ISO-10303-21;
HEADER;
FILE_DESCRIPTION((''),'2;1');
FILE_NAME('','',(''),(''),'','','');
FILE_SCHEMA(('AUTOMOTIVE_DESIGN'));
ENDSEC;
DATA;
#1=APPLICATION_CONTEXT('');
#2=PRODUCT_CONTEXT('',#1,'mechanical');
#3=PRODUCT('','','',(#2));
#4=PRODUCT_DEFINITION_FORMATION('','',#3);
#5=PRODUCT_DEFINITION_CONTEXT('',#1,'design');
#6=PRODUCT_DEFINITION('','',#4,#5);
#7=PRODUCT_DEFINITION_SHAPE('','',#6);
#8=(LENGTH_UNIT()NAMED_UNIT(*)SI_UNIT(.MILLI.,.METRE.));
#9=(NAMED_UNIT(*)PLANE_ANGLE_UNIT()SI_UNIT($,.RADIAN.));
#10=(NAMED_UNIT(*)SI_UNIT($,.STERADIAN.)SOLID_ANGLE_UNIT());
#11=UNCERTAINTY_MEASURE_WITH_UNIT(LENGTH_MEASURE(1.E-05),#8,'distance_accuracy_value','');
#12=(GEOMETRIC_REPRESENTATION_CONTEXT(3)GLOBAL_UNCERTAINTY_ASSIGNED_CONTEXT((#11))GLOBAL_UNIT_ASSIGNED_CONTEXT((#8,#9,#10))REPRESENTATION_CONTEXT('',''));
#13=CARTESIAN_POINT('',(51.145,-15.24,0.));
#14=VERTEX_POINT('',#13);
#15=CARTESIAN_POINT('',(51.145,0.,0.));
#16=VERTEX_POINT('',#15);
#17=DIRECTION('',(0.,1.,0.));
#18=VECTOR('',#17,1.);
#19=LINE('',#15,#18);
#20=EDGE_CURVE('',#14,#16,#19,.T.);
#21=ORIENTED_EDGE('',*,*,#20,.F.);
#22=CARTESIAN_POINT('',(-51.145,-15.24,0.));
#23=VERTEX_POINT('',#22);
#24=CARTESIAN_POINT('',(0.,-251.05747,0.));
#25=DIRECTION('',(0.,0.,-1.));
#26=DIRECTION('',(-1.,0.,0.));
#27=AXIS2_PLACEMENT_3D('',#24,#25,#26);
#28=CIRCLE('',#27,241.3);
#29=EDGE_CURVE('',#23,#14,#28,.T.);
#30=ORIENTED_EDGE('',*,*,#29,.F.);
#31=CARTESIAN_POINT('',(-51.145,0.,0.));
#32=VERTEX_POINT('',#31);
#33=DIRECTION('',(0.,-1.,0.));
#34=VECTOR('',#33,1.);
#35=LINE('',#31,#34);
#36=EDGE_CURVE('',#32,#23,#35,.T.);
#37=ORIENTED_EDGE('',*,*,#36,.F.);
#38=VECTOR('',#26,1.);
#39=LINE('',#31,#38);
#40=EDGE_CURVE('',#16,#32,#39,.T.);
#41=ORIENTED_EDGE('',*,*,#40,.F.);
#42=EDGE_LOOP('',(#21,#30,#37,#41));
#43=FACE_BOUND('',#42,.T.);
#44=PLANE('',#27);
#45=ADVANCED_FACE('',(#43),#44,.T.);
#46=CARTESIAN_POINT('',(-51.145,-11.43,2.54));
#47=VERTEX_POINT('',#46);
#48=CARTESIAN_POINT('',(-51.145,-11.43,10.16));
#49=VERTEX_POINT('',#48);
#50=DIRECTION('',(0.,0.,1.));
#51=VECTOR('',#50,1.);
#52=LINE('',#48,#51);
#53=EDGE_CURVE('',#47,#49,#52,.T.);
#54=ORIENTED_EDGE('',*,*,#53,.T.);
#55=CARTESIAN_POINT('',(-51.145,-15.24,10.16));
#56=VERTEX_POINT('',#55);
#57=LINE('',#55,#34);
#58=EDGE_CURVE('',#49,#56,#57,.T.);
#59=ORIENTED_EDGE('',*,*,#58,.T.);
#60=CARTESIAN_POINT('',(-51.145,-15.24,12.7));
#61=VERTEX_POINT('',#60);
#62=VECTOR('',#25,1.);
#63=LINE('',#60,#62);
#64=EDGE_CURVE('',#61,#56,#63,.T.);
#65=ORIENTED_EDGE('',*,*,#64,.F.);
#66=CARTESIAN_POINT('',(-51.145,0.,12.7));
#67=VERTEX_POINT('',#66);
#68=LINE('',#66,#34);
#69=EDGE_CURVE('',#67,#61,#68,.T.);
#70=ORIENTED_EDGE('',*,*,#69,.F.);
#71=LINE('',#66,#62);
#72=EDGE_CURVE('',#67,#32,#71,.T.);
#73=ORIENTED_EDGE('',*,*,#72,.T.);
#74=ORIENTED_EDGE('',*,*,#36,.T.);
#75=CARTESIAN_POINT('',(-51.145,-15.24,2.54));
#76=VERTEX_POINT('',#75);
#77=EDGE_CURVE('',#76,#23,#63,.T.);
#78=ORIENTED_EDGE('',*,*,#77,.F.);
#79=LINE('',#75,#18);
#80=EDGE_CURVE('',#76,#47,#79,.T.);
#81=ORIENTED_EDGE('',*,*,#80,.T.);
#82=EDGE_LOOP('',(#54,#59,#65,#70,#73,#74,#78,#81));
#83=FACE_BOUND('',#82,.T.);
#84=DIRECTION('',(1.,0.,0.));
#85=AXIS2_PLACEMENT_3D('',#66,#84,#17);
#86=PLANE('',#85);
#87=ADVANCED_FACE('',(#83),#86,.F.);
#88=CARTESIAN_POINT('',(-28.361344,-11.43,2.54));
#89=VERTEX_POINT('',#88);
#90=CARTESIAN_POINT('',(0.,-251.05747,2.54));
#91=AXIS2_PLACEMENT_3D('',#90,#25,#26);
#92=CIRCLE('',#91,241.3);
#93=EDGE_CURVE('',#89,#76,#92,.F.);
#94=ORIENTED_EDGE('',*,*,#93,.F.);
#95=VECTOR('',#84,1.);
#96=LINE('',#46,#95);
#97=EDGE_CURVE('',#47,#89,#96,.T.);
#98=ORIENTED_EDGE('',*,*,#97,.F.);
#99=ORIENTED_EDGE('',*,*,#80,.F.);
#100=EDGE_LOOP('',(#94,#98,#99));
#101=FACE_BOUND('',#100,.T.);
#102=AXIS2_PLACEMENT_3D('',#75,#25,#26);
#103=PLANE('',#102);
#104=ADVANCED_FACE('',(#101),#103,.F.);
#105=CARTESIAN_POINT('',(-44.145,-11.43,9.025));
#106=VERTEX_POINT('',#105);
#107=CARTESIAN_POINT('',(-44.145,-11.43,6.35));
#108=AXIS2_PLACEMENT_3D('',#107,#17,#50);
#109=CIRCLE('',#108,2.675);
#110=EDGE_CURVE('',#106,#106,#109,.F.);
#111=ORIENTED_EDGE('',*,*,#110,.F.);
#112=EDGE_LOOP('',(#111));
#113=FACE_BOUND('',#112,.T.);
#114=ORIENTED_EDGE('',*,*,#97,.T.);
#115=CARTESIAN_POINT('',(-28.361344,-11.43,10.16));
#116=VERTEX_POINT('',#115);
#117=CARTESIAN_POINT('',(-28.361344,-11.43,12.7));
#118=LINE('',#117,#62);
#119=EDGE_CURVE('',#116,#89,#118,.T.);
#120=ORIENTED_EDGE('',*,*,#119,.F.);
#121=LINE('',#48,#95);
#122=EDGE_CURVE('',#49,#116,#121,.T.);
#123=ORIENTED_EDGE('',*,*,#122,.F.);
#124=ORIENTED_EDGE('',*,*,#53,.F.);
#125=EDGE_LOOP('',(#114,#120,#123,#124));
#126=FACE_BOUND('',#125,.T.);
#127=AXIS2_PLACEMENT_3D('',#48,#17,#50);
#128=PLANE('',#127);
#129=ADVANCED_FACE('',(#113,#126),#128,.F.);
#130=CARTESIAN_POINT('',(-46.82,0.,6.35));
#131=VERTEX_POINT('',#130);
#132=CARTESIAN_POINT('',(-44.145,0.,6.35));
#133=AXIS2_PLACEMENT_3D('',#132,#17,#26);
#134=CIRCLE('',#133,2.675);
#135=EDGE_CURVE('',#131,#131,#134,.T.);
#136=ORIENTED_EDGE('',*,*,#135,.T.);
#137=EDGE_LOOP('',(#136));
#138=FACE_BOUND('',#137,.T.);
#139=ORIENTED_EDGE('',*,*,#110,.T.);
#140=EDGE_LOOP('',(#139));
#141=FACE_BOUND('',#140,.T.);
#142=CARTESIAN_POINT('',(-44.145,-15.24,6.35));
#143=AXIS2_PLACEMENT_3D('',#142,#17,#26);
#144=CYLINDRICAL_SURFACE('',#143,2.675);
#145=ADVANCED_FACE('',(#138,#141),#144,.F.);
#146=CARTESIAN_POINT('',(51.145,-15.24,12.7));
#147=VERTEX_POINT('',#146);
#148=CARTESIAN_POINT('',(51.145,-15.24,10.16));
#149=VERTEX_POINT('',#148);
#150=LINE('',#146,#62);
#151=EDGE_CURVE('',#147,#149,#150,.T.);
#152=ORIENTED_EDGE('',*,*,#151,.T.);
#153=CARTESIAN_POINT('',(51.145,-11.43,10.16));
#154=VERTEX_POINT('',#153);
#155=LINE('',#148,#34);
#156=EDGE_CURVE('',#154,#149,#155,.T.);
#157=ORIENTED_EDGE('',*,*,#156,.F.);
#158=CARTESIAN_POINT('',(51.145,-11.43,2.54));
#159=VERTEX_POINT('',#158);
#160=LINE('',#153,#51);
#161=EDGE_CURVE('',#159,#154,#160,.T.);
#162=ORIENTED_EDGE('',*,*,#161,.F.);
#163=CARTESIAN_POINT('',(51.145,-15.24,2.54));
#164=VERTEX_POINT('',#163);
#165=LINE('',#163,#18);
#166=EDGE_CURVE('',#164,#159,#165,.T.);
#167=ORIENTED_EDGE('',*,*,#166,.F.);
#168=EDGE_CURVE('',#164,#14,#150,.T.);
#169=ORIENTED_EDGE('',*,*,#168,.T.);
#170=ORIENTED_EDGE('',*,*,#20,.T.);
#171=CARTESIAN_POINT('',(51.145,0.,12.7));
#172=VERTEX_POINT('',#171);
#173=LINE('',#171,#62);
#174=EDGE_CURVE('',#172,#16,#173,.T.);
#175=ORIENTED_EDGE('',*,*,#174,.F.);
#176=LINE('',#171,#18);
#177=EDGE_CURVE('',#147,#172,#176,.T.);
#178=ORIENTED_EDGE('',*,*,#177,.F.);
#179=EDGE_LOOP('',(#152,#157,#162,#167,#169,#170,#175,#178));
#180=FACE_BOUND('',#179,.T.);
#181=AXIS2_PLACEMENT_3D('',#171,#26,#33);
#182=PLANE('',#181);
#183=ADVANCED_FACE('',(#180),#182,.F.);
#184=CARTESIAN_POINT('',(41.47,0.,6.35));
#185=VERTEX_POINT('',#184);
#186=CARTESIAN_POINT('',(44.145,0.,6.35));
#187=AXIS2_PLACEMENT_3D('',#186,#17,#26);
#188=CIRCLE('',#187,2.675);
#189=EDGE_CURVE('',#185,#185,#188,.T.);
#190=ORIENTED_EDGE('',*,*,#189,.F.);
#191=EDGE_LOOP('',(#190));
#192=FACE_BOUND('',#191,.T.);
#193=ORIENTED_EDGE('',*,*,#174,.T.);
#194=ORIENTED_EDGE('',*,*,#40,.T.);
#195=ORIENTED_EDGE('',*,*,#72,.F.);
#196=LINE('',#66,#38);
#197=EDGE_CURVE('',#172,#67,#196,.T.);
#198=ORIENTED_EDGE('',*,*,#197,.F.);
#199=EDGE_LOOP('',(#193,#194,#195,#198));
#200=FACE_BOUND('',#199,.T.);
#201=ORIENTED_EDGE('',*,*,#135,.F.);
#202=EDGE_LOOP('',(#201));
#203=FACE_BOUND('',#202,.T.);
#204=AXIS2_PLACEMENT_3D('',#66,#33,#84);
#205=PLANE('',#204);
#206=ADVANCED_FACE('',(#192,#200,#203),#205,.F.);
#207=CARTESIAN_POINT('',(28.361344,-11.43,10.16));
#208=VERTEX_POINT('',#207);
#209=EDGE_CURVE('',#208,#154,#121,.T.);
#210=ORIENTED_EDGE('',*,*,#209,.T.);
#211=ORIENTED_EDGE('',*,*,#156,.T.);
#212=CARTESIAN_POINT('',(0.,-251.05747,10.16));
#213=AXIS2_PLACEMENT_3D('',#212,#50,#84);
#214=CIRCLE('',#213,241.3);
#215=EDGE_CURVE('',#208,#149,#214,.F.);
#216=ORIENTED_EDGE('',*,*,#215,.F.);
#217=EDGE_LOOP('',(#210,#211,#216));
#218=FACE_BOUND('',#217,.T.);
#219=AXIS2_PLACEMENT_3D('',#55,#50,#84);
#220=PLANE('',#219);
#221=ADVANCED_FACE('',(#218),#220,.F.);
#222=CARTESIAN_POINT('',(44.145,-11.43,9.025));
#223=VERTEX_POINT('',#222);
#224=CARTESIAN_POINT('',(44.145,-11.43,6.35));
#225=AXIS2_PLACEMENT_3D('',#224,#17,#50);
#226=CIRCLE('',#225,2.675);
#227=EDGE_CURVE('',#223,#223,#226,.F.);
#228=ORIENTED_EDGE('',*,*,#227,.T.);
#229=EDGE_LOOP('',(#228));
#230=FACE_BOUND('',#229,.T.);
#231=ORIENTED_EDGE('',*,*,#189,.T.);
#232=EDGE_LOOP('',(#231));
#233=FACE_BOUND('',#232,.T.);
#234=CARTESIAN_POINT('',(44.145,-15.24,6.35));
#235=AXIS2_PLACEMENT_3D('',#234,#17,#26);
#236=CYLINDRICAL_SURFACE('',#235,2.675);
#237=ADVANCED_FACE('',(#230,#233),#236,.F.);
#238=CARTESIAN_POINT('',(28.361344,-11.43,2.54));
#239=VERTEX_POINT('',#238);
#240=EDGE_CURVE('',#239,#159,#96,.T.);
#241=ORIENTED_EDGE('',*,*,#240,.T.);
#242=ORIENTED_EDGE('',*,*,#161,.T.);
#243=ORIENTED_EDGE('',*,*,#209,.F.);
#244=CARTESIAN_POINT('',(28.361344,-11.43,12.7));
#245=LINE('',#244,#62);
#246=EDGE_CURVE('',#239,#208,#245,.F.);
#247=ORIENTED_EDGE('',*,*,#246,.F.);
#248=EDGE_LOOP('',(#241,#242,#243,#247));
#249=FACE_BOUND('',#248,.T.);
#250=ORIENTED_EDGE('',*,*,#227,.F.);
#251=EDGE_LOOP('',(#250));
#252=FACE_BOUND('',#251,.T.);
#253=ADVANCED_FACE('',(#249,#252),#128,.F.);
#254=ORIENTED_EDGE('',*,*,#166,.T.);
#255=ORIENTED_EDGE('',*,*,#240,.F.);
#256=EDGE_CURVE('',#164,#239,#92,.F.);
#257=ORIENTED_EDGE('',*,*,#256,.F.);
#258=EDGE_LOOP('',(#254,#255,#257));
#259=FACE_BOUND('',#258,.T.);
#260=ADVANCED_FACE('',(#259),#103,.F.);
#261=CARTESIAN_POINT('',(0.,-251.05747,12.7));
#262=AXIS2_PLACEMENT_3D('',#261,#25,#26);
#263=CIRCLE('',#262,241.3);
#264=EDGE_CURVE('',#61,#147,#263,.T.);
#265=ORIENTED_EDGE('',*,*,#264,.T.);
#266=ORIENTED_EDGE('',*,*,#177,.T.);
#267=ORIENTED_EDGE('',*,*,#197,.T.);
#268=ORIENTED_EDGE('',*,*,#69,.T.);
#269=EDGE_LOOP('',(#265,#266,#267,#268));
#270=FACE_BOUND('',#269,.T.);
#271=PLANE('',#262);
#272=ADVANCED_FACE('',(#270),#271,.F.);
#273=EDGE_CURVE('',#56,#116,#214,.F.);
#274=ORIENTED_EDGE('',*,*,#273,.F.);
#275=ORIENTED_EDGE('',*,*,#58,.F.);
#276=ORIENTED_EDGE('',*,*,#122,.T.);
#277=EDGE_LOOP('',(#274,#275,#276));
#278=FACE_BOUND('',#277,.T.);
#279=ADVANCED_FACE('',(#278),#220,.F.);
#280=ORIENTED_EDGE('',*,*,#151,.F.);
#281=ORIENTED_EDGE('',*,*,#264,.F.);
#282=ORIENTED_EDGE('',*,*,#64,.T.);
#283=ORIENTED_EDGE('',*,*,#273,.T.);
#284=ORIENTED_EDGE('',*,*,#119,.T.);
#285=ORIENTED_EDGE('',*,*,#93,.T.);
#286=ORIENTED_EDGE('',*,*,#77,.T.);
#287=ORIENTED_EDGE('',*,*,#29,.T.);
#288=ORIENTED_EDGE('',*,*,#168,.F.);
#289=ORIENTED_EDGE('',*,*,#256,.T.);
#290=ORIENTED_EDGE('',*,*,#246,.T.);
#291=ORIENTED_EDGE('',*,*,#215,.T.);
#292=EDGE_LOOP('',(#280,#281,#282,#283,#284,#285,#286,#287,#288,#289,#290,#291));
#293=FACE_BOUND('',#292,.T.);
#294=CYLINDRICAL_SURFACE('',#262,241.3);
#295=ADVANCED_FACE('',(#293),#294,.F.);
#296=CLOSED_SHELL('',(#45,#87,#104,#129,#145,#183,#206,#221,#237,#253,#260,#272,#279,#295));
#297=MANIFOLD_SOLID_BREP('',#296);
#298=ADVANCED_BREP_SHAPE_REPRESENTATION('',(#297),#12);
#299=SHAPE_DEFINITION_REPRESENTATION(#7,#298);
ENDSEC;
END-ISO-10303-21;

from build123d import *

# Parameters (mm, degrees)
BOSS_EXTRUDE1_DEPTH = 12.7
SKETCH2_R           = 2.675
CUT_EXTRUDE1_DEPTH  = 16.24
SKETCH3_W           = 7.62
SKETCH3_H           = 3.81
CUT_EXTRUDE2_DEPTH  = 103.2900001


with BuildPart() as part:
    # Sketch1 → Boss-Extrude1 (new body)
    with BuildSketch(Plane.XY):
        with BuildLine():
            Line((-51.145, 0), (51.145, 0))
            Line((51.145, 0), (51.145, -15.24))
            ThreePointArc((51.145, -15.24), (0, -9.757469614), (-51.145, -15.24))
            Line((-51.145, -15.24), (-51.145, 0))
        make_face()
    extrude(amount=BOSS_EXTRUDE1_DEPTH)

    # Sketch2 → Cut-Extrude1 (cut, through all)
    with BuildSketch(Plane(origin=(0, 0, 0), x_dir=(1, 0, 0), z_dir=(0, 1, 0))):
        with Locations((-44.145, -6.35)):
            Circle(SKETCH2_R)
        with Locations((44.145, -6.35)):
            Circle(SKETCH2_R)
    extrude(amount=-CUT_EXTRUDE1_DEPTH, mode=Mode.SUBTRACT)

    # Sketch3 → Cut-Extrude2 (cut, through all)
    with BuildSketch(Plane(origin=(51.145, 0, 0), x_dir=(0, 0, -1), z_dir=(1, 0, 0))):
        with Locations((-6.35, -13.335)):
            Rectangle(SKETCH3_W, SKETCH3_H)
    extrude(amount=-CUT_EXTRUDE2_DEPTH, mode=Mode.SUBTRACT)


solid = part.part
